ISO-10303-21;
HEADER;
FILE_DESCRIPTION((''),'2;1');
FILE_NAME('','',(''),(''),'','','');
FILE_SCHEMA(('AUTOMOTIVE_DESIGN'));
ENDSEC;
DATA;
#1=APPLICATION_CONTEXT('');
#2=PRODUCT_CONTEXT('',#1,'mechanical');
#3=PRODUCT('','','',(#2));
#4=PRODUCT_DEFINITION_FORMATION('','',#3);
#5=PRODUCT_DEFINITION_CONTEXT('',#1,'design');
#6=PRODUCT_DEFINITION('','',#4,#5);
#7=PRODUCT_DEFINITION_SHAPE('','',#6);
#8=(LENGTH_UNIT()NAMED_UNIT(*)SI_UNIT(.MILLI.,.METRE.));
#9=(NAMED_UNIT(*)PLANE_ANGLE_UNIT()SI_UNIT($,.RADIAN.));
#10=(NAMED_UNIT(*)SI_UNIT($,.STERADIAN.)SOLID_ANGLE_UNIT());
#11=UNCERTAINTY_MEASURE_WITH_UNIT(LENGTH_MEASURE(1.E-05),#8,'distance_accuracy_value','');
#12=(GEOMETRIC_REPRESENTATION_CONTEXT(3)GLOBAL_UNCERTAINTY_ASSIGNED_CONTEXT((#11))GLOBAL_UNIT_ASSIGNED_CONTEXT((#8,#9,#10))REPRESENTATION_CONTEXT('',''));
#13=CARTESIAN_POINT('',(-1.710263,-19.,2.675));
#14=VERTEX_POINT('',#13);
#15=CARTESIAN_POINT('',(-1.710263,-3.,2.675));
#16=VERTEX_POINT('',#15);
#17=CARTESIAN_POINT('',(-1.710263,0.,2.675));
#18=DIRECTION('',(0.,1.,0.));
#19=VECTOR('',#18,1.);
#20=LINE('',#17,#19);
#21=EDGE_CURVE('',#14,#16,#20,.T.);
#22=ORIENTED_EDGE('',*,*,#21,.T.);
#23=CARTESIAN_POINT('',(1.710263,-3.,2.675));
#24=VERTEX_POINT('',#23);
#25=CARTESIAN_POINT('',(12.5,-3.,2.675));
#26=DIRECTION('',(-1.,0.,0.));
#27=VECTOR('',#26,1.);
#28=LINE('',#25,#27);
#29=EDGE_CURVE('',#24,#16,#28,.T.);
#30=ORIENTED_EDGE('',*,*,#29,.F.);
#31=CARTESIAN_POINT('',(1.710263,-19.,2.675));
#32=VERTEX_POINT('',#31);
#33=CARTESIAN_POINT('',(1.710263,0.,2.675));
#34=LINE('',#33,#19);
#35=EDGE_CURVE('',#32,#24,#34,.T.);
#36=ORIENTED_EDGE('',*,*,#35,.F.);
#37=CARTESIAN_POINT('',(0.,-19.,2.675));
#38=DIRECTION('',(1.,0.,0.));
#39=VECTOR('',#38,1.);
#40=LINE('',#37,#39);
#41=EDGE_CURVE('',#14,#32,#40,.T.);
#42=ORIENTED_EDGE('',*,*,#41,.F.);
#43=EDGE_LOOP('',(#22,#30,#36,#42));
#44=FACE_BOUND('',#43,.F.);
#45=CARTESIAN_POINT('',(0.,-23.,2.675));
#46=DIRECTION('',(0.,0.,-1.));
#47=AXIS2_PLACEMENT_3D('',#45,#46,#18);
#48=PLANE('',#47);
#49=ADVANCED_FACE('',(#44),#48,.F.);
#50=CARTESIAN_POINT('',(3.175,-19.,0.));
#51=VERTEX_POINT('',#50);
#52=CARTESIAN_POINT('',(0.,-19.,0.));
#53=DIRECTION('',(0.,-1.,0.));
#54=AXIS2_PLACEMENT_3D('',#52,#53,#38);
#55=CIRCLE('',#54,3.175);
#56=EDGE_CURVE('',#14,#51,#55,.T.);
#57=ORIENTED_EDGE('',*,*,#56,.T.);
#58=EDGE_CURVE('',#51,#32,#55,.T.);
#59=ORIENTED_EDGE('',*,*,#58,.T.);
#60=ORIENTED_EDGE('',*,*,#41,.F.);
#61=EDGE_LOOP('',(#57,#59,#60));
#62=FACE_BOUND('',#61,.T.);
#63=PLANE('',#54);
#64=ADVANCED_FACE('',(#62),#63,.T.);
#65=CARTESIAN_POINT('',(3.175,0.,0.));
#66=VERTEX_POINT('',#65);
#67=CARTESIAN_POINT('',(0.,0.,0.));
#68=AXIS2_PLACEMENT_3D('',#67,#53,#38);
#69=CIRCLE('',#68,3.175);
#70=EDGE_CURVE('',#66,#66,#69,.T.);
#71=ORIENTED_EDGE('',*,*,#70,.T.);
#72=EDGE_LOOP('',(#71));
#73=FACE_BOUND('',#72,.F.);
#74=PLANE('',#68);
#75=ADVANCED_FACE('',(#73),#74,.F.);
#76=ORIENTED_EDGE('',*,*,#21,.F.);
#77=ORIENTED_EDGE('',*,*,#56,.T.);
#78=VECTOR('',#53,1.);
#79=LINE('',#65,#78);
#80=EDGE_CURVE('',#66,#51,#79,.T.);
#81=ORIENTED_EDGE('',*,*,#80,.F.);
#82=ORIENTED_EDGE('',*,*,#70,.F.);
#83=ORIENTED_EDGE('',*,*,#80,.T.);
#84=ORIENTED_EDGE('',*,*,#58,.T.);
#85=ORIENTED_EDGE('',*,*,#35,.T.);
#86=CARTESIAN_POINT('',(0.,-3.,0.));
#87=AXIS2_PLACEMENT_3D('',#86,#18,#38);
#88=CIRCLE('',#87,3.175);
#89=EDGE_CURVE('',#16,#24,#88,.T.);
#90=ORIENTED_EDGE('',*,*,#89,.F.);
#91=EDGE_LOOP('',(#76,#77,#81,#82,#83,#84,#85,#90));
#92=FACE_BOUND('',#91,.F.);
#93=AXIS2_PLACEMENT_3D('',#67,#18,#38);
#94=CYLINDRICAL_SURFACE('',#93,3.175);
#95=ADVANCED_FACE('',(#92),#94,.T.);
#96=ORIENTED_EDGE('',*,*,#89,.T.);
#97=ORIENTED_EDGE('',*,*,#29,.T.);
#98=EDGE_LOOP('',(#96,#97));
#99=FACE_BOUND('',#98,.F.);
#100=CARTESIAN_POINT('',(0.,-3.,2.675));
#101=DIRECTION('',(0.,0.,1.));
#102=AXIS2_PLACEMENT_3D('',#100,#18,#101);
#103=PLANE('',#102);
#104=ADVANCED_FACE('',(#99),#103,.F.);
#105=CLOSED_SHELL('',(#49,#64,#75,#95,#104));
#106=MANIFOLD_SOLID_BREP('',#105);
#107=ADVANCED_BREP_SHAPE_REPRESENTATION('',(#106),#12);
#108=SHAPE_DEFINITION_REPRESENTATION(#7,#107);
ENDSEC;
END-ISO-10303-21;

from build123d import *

# Parameters (mm, degrees)
F0_R     = 3.175
F1_DEPTH = 19
F3_DEPTH = 12.5


with BuildPart() as f1:
    # F0 (on Front) → F1 (new body)
    with BuildSketch(Plane.XZ):
        Circle(F0_R)
    extrude(amount=F1_DEPTH)

    # F2 (on Right) → F3 (cut, symmetric)
    with BuildSketch(Plane.YZ):
        Polygon((-3, 7.675), (-23, 2.675), (-3, 2.675), align=None)
    extrude(amount=F3_DEPTH, both=True, mode=Mode.SUBTRACT)


solid = f1.part
